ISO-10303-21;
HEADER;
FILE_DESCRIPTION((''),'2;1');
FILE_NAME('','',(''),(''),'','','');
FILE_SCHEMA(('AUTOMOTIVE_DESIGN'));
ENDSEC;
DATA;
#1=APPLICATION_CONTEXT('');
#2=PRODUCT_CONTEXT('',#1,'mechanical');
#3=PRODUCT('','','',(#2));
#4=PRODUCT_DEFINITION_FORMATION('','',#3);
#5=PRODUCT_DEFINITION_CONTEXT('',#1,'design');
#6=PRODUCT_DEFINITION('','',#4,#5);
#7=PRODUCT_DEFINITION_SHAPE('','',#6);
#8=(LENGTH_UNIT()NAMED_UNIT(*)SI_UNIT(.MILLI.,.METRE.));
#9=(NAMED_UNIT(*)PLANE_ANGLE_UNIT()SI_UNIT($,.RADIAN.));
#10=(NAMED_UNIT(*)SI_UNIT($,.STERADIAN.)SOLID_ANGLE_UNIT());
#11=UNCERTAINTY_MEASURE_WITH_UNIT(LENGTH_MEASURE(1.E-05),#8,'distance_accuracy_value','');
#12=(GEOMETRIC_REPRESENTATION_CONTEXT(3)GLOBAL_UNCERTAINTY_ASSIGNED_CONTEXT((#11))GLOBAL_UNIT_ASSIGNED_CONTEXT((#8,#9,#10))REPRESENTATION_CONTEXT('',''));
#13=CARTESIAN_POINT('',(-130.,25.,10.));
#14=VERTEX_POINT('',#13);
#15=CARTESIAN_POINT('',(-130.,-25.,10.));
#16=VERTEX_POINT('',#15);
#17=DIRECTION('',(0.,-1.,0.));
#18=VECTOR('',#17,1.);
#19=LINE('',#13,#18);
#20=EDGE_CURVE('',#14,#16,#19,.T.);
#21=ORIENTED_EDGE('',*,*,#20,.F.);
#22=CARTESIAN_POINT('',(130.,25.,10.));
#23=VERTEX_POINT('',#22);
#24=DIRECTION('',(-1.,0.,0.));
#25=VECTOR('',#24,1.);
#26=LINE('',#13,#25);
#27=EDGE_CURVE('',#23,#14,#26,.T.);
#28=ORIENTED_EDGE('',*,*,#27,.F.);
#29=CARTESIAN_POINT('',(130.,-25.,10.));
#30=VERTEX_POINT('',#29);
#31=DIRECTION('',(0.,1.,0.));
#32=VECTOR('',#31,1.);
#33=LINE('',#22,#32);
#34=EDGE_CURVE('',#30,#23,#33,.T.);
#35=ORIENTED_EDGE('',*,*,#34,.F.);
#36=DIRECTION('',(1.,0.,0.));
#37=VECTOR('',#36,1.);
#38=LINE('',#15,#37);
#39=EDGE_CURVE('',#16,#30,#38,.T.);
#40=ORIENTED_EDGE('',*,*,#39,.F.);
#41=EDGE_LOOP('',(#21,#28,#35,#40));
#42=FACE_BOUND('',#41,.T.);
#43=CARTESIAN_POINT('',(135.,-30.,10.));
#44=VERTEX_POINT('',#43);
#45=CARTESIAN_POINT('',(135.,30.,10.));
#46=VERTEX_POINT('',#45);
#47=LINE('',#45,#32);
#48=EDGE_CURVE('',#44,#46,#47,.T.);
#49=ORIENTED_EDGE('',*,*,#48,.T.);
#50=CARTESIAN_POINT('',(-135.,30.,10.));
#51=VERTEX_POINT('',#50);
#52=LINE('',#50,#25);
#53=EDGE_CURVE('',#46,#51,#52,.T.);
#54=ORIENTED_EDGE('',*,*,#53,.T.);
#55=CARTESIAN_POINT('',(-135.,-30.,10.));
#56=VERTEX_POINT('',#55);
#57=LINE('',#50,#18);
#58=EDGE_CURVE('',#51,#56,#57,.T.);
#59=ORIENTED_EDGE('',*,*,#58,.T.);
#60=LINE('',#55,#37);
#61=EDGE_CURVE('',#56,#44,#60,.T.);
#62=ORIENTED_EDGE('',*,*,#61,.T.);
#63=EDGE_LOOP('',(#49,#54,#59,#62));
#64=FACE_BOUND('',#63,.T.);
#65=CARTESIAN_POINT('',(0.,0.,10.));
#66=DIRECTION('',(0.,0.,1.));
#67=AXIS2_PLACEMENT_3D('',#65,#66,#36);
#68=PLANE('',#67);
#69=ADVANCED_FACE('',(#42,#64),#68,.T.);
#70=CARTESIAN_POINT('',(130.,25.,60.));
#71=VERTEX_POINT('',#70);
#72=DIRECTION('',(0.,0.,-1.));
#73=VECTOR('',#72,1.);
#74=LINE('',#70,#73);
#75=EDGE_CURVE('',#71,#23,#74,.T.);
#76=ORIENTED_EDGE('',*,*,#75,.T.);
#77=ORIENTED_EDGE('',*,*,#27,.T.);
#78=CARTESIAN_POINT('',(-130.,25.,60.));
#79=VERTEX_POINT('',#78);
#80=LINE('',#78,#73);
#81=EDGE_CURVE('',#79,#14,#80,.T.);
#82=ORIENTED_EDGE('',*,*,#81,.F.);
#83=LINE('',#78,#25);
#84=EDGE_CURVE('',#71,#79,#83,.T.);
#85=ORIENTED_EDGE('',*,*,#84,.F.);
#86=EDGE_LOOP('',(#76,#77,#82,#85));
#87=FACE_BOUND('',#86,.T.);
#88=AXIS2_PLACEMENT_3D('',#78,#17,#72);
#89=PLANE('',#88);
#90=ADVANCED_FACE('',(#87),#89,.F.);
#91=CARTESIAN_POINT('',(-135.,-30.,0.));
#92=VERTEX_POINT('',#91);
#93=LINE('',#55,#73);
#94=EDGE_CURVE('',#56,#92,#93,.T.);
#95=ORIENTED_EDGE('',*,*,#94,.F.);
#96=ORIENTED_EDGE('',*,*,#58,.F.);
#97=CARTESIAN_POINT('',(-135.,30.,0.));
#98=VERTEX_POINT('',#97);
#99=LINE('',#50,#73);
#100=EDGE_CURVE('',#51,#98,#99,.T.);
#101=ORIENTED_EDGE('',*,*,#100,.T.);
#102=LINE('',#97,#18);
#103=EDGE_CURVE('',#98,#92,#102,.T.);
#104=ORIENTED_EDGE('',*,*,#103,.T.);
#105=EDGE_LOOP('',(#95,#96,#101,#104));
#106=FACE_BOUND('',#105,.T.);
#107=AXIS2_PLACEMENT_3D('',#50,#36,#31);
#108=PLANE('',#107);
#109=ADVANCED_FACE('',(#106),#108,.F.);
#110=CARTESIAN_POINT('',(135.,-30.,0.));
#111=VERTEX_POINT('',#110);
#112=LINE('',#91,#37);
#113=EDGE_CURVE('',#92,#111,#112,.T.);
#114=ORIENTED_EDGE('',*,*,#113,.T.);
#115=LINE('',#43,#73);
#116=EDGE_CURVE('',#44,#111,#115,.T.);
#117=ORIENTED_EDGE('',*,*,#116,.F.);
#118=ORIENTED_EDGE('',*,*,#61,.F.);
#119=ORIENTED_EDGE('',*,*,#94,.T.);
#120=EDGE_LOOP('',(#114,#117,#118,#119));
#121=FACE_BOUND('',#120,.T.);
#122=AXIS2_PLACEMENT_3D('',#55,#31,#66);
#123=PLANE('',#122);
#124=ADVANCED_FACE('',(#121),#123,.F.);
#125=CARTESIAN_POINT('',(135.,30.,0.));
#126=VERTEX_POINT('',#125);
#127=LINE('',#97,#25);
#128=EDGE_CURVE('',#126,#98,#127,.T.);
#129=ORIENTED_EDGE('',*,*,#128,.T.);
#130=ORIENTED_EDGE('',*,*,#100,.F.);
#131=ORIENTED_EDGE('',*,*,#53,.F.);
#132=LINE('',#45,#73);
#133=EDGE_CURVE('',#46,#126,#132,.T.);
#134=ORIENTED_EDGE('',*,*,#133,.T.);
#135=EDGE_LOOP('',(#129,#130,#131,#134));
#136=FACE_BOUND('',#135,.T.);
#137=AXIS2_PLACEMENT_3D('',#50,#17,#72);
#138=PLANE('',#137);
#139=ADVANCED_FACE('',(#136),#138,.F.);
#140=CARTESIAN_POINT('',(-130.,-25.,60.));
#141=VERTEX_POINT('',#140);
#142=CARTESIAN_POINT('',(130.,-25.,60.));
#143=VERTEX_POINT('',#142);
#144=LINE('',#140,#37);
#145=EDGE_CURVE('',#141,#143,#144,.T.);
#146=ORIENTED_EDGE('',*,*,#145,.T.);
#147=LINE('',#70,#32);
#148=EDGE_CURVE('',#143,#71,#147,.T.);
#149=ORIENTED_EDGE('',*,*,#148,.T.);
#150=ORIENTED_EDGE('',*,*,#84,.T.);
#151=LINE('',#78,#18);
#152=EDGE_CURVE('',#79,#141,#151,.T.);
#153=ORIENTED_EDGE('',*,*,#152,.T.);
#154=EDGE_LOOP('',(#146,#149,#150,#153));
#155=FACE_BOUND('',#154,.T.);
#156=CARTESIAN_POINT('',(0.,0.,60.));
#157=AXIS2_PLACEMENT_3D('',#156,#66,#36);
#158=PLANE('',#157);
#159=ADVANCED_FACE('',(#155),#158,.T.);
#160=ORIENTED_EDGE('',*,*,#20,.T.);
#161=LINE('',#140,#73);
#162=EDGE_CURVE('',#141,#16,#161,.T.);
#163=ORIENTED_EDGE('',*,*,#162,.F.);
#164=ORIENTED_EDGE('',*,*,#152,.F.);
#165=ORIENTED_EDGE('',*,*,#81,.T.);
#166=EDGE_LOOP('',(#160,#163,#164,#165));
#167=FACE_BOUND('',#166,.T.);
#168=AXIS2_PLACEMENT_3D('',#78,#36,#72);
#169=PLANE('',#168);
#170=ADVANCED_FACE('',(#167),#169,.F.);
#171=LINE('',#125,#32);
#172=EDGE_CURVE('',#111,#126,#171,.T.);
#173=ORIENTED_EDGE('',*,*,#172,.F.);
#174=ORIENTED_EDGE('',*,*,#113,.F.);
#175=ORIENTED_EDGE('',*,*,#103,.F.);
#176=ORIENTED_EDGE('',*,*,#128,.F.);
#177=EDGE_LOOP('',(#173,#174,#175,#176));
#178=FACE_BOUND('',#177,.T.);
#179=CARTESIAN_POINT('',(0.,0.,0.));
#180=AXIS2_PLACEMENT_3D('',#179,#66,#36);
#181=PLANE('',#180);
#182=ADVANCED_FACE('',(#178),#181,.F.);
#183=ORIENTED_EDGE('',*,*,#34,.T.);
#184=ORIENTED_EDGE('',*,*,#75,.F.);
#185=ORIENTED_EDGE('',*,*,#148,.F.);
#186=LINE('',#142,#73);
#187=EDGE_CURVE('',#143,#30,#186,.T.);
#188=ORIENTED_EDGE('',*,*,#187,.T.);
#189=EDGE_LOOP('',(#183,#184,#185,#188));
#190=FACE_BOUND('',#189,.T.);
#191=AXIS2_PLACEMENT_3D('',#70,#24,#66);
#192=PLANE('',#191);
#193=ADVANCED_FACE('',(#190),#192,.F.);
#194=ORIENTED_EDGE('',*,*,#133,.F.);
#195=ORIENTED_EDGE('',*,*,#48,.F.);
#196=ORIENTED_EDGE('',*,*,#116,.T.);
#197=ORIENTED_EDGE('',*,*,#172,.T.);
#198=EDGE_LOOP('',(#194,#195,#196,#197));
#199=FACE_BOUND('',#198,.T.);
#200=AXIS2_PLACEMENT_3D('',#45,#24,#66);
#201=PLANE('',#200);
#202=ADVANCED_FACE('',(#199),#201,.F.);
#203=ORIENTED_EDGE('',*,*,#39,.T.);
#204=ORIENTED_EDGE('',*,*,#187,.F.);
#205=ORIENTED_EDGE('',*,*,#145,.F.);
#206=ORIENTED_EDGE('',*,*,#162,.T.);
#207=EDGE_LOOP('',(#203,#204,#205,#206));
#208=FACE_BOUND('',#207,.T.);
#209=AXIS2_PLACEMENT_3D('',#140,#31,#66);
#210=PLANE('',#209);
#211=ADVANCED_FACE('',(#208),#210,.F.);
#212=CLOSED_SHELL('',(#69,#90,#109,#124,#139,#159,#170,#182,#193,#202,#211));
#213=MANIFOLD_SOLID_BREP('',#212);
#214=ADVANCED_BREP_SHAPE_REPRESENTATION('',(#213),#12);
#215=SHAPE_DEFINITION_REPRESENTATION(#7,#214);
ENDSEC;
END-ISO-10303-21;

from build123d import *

# Parameters (mm, degrees)
SKIZZE1_W                       = 270
SKIZZE1_H                       = 60
AUFSATZ_LINEAR_AUSTRAGEN1_DEPTH = 10
SKIZZE2_W                       = 260
SKIZZE2_H                       = 50
AUFSATZ_LINEAR_AUSTRAGEN2_DEPTH = 50


with BuildPart() as part:
    # Skizze1 → Aufsatz-Linear austragen1 (new body)
    with BuildSketch(Plane.XY):
        Rectangle(SKIZZE1_W, SKIZZE1_H)
    extrude(amount=AUFSATZ_LINEAR_AUSTRAGEN1_DEPTH)

    # Skizze2 → Aufsatz-Linear austragen2 (add)
    with BuildSketch(Plane.XY.offset(10)):
        Rectangle(SKIZZE2_W, SKIZZE2_H)
    extrude(amount=AUFSATZ_LINEAR_AUSTRAGEN2_DEPTH)


solid = part.part
